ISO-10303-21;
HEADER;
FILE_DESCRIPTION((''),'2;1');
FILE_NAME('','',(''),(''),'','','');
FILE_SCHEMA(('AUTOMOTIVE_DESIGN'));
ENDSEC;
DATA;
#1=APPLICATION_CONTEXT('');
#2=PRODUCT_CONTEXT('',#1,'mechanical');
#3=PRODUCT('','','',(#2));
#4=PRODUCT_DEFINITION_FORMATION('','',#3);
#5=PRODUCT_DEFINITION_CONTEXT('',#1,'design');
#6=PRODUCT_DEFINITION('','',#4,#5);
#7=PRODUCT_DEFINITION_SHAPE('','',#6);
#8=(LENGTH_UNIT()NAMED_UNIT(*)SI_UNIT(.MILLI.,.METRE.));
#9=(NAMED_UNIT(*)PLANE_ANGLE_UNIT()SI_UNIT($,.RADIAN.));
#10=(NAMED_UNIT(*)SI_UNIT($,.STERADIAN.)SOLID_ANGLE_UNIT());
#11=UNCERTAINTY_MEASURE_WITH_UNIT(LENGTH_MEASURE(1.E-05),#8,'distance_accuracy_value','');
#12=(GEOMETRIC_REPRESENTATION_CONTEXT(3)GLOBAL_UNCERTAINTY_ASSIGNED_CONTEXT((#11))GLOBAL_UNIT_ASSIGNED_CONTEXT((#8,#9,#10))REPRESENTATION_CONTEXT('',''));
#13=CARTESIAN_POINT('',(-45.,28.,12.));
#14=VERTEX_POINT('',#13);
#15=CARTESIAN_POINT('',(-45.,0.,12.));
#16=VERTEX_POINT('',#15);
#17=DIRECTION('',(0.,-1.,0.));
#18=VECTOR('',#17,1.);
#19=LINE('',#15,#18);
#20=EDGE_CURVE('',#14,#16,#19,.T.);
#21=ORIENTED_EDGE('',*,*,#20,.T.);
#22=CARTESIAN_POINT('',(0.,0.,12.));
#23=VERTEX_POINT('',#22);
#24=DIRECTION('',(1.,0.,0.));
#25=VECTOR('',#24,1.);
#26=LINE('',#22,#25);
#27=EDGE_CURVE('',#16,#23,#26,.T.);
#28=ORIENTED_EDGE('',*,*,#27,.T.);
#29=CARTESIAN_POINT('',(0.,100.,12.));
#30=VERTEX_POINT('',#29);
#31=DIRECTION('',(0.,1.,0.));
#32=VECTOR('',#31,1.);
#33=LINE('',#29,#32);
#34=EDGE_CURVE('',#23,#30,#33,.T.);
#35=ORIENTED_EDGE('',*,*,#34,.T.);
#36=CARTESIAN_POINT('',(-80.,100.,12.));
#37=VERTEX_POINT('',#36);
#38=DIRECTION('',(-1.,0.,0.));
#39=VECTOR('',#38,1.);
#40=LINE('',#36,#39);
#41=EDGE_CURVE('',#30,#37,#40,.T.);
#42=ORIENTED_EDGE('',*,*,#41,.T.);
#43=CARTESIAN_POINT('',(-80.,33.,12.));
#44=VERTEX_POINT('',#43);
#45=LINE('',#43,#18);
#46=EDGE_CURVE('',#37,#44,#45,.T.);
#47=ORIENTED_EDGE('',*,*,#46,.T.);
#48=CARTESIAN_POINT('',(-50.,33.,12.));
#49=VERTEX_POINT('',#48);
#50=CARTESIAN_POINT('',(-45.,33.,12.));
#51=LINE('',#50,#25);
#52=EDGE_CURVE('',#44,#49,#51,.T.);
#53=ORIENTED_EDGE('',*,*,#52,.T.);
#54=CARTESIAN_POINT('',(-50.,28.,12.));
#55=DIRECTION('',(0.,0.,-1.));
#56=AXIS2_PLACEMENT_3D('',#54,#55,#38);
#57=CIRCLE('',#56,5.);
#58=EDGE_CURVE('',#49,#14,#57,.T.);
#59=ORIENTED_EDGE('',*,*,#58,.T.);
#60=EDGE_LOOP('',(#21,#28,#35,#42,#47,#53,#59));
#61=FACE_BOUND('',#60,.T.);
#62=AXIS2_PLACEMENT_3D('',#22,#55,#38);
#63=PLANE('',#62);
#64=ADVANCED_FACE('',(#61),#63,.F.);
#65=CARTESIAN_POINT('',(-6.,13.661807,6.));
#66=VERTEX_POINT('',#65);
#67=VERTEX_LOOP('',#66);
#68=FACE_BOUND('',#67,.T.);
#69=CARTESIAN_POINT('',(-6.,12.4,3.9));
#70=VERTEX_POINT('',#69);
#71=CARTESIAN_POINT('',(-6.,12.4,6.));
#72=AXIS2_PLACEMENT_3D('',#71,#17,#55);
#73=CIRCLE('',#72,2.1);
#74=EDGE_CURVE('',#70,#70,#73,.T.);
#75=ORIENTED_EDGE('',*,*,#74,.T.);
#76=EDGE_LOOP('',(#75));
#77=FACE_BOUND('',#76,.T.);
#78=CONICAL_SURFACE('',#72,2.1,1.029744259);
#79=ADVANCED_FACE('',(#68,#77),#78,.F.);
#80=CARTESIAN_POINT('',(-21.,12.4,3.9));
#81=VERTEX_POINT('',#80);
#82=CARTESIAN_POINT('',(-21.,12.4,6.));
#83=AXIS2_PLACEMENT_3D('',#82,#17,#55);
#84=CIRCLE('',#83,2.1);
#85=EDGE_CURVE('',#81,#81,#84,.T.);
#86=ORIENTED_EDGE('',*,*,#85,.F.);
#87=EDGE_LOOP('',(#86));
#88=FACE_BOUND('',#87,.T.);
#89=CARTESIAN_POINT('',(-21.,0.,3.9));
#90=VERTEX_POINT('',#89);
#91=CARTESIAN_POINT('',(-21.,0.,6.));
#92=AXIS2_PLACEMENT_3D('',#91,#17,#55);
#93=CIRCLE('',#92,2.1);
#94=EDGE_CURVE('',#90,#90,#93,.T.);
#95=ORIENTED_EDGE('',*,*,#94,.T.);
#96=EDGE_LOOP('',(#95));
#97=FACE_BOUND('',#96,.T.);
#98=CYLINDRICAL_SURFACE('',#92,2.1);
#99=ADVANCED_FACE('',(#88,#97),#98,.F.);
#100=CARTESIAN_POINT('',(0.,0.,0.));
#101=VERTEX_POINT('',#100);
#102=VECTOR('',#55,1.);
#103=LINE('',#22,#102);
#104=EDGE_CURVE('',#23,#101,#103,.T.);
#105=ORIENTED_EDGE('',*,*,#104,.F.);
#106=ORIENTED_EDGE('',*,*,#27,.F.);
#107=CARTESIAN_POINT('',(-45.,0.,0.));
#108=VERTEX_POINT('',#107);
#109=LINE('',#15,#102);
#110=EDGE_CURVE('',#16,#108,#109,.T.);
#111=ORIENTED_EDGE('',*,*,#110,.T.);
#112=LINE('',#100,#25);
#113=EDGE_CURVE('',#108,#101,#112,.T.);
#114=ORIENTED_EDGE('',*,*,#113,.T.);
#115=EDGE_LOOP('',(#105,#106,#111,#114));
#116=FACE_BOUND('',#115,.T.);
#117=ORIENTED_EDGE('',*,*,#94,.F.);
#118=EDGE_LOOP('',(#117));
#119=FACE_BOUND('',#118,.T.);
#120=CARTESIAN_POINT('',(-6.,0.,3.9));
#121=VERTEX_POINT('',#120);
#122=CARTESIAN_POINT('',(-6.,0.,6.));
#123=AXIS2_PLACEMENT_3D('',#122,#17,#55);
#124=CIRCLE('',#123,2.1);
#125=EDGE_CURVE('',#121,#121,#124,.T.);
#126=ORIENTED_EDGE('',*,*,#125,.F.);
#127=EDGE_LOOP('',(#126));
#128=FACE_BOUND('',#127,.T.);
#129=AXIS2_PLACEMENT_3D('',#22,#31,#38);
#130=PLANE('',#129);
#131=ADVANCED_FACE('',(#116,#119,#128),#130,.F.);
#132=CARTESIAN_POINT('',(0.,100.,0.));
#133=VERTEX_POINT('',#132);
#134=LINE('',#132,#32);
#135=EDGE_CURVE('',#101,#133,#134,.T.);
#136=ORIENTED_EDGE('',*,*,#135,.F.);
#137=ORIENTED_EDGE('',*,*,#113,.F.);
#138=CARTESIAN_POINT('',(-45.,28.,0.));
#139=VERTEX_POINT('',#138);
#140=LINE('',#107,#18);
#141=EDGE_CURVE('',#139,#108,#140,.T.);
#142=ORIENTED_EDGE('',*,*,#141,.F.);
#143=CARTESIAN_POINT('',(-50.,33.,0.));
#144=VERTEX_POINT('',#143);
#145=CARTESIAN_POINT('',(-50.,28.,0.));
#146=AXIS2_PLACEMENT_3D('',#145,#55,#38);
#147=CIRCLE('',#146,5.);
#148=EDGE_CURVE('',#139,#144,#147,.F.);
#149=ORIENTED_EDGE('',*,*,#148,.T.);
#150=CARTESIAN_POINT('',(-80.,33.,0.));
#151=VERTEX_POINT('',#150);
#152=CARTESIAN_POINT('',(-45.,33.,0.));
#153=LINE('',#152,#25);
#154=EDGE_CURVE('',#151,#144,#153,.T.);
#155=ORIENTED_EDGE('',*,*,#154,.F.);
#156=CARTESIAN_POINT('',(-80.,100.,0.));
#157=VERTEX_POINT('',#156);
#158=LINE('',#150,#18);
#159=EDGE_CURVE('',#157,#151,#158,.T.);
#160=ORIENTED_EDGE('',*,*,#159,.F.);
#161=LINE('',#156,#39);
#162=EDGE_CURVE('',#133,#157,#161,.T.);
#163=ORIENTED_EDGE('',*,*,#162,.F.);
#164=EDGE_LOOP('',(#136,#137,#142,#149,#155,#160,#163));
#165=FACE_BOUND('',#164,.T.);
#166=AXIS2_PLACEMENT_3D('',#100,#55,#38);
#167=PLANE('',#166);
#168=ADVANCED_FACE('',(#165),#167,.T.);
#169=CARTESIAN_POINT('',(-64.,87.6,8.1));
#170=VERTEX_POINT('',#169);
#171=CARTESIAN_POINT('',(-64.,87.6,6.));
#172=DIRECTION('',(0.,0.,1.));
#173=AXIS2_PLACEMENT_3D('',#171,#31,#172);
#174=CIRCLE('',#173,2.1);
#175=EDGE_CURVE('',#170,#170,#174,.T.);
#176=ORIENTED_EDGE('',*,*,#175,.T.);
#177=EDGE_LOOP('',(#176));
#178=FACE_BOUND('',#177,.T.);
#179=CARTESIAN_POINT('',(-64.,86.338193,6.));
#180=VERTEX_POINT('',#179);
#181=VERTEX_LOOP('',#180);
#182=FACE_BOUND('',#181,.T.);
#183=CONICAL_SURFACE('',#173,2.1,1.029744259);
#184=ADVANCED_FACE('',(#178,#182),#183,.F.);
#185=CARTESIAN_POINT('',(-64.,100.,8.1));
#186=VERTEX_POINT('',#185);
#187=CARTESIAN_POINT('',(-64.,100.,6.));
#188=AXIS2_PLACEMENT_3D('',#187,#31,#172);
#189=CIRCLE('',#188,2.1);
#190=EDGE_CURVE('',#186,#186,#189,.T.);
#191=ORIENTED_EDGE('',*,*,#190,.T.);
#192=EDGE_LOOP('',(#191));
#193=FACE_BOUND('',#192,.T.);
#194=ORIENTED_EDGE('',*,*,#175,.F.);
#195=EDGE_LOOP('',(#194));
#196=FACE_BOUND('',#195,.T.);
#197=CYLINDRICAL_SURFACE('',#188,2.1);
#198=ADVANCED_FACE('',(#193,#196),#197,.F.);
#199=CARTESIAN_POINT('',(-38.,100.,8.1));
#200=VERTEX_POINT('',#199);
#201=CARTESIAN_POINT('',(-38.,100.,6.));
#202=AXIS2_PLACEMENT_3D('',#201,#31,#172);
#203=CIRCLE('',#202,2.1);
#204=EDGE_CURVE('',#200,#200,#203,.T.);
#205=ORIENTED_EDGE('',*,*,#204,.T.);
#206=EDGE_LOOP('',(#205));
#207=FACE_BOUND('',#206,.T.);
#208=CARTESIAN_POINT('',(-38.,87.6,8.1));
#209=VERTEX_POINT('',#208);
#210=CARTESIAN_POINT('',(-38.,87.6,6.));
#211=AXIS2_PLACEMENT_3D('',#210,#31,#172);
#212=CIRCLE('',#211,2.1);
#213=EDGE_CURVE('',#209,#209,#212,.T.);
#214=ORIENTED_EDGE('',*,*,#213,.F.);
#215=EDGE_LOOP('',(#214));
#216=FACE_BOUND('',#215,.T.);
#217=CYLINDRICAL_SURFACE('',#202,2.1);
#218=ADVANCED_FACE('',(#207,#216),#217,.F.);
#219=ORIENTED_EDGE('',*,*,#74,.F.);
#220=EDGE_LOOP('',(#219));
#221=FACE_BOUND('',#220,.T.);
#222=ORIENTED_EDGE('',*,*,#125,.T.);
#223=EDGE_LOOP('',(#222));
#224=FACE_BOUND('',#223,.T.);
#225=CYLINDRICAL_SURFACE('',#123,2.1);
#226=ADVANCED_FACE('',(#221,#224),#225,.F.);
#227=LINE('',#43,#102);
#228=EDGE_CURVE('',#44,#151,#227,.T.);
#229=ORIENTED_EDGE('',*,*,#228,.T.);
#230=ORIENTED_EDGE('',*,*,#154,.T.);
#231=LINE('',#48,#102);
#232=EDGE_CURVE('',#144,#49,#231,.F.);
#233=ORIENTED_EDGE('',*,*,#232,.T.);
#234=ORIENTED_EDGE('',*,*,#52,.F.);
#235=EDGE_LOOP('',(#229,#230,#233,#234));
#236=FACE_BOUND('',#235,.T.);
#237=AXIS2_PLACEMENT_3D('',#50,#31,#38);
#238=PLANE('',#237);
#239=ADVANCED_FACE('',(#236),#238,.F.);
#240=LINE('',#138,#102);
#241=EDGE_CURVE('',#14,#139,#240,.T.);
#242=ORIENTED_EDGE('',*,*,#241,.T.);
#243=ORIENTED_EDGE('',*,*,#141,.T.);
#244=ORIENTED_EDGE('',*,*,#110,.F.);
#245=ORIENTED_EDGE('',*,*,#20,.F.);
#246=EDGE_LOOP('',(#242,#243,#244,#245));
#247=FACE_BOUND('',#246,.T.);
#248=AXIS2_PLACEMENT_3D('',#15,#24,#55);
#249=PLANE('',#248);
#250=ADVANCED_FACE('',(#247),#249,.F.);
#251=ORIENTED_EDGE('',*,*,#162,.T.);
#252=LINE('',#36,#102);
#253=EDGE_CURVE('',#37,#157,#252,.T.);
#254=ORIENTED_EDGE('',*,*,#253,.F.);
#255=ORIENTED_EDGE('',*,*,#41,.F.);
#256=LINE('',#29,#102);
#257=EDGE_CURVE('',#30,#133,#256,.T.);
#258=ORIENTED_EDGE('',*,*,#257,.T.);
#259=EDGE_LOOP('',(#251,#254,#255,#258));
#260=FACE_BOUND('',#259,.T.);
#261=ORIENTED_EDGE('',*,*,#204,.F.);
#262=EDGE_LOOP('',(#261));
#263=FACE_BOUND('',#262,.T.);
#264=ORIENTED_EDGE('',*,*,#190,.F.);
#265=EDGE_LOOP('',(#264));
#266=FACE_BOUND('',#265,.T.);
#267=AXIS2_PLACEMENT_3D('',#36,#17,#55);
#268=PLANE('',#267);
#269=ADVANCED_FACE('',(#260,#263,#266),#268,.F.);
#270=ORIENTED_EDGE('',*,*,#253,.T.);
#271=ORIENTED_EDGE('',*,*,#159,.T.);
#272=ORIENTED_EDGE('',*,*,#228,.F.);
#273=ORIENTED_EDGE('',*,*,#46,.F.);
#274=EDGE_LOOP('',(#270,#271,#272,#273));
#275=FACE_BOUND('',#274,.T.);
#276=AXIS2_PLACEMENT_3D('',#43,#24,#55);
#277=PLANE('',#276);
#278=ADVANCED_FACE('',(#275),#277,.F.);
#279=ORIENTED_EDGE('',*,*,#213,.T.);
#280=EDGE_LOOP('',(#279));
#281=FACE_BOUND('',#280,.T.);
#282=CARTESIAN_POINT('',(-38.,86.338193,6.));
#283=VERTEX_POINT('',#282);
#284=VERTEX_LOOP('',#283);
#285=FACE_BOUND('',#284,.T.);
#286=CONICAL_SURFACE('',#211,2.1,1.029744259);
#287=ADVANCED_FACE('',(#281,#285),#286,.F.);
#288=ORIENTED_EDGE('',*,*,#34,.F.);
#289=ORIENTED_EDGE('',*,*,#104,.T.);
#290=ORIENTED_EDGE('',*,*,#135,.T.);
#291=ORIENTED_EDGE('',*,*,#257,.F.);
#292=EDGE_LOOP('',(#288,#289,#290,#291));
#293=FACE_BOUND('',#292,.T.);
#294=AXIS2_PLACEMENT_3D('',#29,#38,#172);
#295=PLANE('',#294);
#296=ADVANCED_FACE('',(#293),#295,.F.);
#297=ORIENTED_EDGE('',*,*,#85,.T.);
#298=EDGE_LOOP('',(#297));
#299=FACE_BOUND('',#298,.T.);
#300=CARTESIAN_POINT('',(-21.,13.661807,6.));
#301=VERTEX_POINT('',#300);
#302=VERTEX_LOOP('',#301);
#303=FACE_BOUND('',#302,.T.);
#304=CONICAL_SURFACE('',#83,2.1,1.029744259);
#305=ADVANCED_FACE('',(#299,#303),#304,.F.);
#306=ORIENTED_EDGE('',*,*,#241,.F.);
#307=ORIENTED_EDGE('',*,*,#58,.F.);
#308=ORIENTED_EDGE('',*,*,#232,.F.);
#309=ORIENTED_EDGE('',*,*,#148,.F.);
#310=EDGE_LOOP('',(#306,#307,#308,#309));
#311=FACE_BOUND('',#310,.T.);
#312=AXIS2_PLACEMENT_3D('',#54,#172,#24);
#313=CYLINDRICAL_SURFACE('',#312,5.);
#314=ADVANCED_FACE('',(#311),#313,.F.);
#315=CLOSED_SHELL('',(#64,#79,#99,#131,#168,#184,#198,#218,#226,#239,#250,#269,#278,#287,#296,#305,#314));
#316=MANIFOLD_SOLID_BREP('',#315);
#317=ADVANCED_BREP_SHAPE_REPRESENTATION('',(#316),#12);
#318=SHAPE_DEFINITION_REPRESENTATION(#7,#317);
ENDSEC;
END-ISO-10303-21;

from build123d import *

# Parameters (mm, degrees)
EXTRUDE_1_DEPTH        = 12
FILLET_1_R             = 5
HOLE_WIZARD_M5_1_D     = 4.2
HOLE_WIZARD_M5_1_DEPTH = 12.4
HOLE_WIZARD_M5_1_TIP   = 1.2618073
HOLE_WIZARD_M5_2_D     = 4.2
HOLE_WIZARD_M5_2_DEPTH = 12.4
HOLE_WIZARD_M5_2_TIP   = 1.2618073


with BuildPart() as part:
    # 草图1 → 凸台-拉伸1 (new body)
    with BuildSketch(Plane.XY):
        Polygon((0, 0), (-45, 0), (-45, 33), (-80, 33), (-80, 100), (0, 100), align=None)
    extrude(amount=EXTRUDE_1_DEPTH)

    # 圆角1
    fillet_1_edges = [part.edges().sort_by_distance(p)[0] for p in [
        (-45, 33, 6),
    ]]
    fillet(fillet_1_edges, radius=FILLET_1_R)

    # M5 螺纹孔1
    with Locations(Plane.XZ):
        with Locations((-6, 6), (-21, 6)):
            Hole(HOLE_WIZARD_M5_1_D / 2, depth=HOLE_WIZARD_M5_1_DEPTH)
            with Locations((0, 0, -(HOLE_WIZARD_M5_1_DEPTH + HOLE_WIZARD_M5_1_TIP / 2))):  # 118° drill point
                Cone(0, HOLE_WIZARD_M5_1_D / 2, HOLE_WIZARD_M5_1_TIP, mode=Mode.SUBTRACT)

    # M5 螺纹孔2
    with Locations(Plane(origin=(0, 100, 0), x_dir=(-1, 0, 0), z_dir=(0, 1, 0))):
        with Locations((38, 6), (64, 6)):
            Hole(HOLE_WIZARD_M5_2_D / 2, depth=HOLE_WIZARD_M5_2_DEPTH)
            with Locations((0, 0, -(HOLE_WIZARD_M5_2_DEPTH + HOLE_WIZARD_M5_2_TIP / 2))):  # 118° drill point
                Cone(0, HOLE_WIZARD_M5_2_D / 2, HOLE_WIZARD_M5_2_TIP, mode=Mode.SUBTRACT)


solid = part.part
